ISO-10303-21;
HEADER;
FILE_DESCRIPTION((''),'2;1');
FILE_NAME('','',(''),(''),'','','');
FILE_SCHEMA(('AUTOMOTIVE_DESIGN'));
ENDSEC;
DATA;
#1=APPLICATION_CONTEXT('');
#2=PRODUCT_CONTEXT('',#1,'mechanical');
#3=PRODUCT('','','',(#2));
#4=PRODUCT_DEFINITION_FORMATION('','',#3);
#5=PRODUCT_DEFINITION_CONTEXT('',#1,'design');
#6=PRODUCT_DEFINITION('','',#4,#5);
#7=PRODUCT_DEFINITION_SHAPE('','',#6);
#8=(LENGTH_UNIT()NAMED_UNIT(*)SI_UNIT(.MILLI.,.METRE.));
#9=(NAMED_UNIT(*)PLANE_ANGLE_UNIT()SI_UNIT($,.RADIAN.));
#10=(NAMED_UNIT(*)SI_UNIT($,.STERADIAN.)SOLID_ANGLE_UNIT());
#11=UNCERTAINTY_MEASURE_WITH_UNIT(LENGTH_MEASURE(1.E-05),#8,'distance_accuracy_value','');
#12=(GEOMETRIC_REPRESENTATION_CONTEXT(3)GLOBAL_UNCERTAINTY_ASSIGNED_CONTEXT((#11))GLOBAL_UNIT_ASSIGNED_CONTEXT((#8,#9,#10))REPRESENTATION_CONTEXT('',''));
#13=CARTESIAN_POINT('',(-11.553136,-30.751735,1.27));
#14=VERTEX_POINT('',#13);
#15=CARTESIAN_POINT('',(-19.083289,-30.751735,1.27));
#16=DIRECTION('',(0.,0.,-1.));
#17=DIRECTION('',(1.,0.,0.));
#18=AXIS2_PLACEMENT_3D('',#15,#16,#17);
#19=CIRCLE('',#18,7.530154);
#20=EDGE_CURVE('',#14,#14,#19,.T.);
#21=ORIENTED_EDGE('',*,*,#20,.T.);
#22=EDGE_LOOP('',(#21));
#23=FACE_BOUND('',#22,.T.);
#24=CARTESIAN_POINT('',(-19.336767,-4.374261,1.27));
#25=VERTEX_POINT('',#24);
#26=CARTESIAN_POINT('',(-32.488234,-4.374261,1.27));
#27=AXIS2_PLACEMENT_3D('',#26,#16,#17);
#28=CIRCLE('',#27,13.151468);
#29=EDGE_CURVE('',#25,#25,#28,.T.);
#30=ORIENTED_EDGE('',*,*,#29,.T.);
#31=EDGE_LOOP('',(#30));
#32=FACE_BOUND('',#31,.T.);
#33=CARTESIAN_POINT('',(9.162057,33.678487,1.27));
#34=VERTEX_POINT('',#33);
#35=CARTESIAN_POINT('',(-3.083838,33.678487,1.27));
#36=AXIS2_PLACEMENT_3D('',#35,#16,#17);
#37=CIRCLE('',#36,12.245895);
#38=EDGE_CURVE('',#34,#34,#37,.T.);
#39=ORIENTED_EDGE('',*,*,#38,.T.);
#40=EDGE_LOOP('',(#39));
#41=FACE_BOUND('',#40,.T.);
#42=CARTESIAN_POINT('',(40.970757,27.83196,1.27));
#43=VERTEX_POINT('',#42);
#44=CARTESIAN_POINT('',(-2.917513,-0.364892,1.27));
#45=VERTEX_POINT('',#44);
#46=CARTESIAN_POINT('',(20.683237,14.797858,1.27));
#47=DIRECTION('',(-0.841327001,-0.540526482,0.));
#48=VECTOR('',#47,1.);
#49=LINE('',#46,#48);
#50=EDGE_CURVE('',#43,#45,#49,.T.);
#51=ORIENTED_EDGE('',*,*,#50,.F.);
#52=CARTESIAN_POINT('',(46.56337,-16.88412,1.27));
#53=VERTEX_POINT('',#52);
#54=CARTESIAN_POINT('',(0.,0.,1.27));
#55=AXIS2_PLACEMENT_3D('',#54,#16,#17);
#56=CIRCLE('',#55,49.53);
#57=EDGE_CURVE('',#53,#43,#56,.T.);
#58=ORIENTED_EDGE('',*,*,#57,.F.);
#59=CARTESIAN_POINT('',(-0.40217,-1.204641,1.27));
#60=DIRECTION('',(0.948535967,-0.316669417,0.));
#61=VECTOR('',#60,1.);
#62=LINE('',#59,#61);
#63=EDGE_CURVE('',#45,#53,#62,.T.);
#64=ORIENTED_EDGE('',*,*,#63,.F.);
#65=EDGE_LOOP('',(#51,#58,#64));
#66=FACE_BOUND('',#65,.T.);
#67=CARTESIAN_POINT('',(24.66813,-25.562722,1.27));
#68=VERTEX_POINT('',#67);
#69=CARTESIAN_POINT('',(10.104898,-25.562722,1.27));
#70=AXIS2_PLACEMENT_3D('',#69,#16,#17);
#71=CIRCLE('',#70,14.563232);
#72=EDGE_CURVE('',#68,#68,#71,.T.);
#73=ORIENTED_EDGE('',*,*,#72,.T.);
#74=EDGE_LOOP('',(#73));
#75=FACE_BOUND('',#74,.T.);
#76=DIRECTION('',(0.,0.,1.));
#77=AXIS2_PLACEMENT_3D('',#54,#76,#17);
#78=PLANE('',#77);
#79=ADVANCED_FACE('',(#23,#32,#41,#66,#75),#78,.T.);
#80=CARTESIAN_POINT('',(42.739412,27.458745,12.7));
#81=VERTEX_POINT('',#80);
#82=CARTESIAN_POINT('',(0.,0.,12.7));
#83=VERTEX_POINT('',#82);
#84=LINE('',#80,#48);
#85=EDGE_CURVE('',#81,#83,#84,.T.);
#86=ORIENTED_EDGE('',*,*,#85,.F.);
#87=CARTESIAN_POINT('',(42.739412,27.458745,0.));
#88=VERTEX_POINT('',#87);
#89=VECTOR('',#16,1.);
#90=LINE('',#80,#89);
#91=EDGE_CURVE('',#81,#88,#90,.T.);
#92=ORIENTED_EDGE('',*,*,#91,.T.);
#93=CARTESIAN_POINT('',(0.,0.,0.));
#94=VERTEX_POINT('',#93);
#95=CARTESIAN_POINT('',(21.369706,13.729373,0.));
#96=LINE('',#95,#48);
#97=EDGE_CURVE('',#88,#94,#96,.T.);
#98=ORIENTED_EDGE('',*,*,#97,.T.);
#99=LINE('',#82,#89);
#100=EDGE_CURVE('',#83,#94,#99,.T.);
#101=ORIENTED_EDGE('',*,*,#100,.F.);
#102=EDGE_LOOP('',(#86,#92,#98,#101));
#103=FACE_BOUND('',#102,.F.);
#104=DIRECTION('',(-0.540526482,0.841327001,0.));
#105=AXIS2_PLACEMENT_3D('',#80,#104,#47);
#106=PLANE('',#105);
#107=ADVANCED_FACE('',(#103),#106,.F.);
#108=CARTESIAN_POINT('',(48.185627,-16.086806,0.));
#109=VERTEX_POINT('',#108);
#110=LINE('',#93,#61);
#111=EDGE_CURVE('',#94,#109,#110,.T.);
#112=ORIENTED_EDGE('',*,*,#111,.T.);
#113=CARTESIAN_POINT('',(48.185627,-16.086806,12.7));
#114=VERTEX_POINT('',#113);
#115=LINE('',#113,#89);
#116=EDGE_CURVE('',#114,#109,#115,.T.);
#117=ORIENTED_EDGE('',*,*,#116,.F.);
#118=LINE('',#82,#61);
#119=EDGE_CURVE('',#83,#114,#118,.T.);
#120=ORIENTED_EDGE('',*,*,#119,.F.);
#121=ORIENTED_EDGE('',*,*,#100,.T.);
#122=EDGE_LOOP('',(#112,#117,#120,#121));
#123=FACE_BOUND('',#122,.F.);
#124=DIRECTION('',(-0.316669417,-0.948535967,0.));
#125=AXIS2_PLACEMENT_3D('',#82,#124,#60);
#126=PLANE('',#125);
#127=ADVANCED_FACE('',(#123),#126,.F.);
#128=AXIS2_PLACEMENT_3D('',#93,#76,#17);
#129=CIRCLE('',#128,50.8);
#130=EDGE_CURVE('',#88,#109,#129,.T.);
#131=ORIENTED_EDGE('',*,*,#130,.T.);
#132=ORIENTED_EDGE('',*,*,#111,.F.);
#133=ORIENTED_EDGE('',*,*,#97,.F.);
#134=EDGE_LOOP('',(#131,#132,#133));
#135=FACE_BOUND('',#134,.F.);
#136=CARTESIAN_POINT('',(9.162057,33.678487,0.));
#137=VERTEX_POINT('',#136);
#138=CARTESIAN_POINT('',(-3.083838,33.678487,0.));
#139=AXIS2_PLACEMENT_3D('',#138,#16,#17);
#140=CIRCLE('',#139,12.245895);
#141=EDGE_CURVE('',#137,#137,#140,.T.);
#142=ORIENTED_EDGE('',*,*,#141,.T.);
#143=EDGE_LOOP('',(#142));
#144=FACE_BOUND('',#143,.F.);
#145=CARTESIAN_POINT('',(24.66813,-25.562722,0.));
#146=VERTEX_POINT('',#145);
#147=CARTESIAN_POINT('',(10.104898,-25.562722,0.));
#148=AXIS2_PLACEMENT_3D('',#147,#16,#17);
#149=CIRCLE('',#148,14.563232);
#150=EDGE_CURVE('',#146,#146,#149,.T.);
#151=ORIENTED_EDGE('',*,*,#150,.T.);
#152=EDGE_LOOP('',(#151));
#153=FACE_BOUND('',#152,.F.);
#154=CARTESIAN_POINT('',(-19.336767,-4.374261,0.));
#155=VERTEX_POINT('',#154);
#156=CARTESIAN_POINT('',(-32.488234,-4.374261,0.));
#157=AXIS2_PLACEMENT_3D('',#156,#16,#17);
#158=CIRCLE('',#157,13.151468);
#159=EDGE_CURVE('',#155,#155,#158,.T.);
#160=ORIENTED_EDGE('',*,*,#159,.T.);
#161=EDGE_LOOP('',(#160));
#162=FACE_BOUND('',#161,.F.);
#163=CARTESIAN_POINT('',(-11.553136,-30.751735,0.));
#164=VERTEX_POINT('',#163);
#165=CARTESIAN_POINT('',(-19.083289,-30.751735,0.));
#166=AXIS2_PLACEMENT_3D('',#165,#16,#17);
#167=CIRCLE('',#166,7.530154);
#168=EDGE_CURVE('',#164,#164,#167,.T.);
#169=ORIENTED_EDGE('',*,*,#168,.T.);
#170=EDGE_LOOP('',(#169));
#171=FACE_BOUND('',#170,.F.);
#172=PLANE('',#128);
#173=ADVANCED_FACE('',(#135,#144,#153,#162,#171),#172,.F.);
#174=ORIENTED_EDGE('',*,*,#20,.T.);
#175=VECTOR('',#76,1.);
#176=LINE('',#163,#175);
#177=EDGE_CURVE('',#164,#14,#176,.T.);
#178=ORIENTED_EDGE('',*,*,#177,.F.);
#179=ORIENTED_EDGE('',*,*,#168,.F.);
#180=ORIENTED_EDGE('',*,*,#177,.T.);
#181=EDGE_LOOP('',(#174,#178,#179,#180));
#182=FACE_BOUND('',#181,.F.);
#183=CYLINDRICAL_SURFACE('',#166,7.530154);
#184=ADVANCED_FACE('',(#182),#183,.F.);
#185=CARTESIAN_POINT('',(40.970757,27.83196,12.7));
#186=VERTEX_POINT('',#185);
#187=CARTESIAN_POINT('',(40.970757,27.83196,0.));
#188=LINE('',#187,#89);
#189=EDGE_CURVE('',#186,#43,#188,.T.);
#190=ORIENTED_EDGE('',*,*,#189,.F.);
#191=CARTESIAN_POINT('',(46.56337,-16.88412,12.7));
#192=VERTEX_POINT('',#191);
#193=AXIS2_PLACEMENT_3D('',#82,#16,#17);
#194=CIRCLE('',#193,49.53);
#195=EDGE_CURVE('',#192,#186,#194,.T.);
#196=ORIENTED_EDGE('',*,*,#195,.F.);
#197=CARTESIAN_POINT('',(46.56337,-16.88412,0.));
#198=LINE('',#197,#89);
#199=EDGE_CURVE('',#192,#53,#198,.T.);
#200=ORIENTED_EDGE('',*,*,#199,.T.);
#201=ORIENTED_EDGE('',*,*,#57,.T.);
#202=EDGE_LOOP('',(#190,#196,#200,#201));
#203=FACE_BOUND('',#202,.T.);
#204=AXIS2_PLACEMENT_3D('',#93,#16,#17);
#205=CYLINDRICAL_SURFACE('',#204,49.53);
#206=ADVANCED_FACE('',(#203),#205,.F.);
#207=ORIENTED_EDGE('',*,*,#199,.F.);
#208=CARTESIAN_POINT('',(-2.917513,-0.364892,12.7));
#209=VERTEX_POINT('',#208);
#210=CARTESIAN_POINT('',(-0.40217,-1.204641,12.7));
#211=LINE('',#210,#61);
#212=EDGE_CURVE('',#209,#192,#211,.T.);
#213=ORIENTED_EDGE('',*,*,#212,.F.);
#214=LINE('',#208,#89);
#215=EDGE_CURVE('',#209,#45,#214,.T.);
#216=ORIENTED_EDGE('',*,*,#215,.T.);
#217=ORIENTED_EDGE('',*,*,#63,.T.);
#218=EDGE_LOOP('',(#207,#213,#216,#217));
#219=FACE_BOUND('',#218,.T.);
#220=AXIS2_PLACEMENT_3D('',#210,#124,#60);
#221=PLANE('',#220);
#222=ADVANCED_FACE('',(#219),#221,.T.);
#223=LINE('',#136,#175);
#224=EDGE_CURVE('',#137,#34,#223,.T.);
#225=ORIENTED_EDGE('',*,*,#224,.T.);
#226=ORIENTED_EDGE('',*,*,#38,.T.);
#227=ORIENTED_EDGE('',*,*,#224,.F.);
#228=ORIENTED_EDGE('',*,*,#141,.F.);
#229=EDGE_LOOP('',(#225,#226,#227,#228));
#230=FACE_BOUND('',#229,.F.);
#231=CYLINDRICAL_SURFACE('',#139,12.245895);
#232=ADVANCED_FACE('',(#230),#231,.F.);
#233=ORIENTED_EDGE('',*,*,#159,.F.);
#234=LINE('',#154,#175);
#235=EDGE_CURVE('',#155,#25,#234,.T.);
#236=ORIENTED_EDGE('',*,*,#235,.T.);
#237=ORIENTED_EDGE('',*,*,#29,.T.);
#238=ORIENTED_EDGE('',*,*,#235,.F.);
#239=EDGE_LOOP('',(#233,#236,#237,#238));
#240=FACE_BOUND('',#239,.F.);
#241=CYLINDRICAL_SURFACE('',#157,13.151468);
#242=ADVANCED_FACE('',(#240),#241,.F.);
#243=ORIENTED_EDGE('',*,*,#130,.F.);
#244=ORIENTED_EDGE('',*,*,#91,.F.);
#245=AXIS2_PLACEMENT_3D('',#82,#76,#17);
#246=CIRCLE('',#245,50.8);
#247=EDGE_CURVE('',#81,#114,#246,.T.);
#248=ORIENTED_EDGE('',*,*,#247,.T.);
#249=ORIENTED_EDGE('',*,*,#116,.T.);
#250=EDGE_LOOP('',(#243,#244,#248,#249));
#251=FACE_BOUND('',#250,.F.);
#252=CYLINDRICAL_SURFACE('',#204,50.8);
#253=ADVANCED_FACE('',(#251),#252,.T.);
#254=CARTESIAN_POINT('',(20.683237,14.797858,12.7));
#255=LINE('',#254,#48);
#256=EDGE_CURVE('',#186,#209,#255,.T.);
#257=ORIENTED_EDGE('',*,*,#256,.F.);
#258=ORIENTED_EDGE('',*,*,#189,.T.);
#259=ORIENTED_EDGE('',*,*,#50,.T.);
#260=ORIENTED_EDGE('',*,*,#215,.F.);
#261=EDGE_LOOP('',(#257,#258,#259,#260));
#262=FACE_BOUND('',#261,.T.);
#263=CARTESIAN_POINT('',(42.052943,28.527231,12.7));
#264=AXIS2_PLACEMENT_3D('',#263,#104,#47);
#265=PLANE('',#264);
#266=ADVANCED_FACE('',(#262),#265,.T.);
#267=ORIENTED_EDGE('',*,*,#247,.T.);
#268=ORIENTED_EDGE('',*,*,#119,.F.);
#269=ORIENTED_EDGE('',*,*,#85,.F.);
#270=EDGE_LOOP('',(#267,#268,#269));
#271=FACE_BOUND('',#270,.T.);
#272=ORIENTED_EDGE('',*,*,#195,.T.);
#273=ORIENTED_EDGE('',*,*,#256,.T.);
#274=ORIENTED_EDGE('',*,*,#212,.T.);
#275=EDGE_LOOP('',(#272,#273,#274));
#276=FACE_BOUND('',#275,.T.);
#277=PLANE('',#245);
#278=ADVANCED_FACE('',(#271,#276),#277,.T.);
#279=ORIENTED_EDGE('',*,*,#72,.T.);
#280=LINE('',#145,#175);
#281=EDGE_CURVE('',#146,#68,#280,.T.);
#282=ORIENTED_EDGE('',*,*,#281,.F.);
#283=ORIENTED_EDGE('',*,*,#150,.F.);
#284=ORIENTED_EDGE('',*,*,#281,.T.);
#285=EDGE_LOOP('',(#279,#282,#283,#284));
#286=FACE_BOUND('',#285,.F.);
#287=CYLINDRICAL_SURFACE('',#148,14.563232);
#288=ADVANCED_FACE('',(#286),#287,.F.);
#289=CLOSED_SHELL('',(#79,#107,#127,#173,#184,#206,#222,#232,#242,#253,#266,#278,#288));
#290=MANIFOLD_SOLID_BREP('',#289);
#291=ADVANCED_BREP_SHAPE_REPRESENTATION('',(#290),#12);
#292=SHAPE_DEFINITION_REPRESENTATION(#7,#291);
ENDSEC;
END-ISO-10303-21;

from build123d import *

# Parameters (mm, degrees)
F0_R     = 50.8
F1_DEPTH = 12.7
F3_DEPTH = 25.4
F4_T     = -1.27
F5_R     = 7.5301536969
F5_R_2   = 14.5632315152
F5_R_3   = 12.2458947517
F5_R_4   = 13.1514676022
F6_DEPTH = 25.4


with BuildPart() as f1:
    # F0 (on Top) → F1 (new body)
    with BuildSketch(Plane.XY):
        Circle(F0_R)
    extrude(amount=F1_DEPTH)

    # F2 (on face) → F3 (cut)
    with BuildSketch(Plane.XY.offset(12.7)):
        with BuildLine():
            Line((42.7394116495, 27.4587452709), (0, 0))
            Line((0, 0), (48.1856271225, -16.0868063582))
            ThreePointArc((48.1856271225, -16.0868063582), (50.1421472308, -8.1489306714), (50.8, 0))
            ThreePointArc((50.8, 0), (48.7432154858, 14.3087016917), (42.7394116495, 27.4587452709))
        make_face()
    extrude(amount=-F3_DEPTH, mode=Mode.SUBTRACT)

    # F4
    f4_openings = [f1.faces().sort_by_distance(p)[0] for p in [
        (-5.386062, -0.673631, 12.7),
    ]]
    offset(amount=F4_T, openings=f4_openings, kind=Kind.INTERSECTION)

    # F5 (on face) → F6 (cut)
    with BuildSketch(Plane(origin=(0, 0, 0), x_dir=(1, 0, 0), z_dir=(0, 0, -1))):
        with Locations((-19.0832894295, 30.751734972)):
            Circle(F5_R)
        with Locations((10.1048983634, 25.5627222359)):
            Circle(F5_R_2)
        with Locations((-3.0838376842, -33.6784869432)):
            Circle(F5_R_3)
        with Locations((-32.4882343411, 4.3742610142)):
            Circle(F5_R_4)
    extrude(amount=-F6_DEPTH, mode=Mode.SUBTRACT)


solid = f1.part
